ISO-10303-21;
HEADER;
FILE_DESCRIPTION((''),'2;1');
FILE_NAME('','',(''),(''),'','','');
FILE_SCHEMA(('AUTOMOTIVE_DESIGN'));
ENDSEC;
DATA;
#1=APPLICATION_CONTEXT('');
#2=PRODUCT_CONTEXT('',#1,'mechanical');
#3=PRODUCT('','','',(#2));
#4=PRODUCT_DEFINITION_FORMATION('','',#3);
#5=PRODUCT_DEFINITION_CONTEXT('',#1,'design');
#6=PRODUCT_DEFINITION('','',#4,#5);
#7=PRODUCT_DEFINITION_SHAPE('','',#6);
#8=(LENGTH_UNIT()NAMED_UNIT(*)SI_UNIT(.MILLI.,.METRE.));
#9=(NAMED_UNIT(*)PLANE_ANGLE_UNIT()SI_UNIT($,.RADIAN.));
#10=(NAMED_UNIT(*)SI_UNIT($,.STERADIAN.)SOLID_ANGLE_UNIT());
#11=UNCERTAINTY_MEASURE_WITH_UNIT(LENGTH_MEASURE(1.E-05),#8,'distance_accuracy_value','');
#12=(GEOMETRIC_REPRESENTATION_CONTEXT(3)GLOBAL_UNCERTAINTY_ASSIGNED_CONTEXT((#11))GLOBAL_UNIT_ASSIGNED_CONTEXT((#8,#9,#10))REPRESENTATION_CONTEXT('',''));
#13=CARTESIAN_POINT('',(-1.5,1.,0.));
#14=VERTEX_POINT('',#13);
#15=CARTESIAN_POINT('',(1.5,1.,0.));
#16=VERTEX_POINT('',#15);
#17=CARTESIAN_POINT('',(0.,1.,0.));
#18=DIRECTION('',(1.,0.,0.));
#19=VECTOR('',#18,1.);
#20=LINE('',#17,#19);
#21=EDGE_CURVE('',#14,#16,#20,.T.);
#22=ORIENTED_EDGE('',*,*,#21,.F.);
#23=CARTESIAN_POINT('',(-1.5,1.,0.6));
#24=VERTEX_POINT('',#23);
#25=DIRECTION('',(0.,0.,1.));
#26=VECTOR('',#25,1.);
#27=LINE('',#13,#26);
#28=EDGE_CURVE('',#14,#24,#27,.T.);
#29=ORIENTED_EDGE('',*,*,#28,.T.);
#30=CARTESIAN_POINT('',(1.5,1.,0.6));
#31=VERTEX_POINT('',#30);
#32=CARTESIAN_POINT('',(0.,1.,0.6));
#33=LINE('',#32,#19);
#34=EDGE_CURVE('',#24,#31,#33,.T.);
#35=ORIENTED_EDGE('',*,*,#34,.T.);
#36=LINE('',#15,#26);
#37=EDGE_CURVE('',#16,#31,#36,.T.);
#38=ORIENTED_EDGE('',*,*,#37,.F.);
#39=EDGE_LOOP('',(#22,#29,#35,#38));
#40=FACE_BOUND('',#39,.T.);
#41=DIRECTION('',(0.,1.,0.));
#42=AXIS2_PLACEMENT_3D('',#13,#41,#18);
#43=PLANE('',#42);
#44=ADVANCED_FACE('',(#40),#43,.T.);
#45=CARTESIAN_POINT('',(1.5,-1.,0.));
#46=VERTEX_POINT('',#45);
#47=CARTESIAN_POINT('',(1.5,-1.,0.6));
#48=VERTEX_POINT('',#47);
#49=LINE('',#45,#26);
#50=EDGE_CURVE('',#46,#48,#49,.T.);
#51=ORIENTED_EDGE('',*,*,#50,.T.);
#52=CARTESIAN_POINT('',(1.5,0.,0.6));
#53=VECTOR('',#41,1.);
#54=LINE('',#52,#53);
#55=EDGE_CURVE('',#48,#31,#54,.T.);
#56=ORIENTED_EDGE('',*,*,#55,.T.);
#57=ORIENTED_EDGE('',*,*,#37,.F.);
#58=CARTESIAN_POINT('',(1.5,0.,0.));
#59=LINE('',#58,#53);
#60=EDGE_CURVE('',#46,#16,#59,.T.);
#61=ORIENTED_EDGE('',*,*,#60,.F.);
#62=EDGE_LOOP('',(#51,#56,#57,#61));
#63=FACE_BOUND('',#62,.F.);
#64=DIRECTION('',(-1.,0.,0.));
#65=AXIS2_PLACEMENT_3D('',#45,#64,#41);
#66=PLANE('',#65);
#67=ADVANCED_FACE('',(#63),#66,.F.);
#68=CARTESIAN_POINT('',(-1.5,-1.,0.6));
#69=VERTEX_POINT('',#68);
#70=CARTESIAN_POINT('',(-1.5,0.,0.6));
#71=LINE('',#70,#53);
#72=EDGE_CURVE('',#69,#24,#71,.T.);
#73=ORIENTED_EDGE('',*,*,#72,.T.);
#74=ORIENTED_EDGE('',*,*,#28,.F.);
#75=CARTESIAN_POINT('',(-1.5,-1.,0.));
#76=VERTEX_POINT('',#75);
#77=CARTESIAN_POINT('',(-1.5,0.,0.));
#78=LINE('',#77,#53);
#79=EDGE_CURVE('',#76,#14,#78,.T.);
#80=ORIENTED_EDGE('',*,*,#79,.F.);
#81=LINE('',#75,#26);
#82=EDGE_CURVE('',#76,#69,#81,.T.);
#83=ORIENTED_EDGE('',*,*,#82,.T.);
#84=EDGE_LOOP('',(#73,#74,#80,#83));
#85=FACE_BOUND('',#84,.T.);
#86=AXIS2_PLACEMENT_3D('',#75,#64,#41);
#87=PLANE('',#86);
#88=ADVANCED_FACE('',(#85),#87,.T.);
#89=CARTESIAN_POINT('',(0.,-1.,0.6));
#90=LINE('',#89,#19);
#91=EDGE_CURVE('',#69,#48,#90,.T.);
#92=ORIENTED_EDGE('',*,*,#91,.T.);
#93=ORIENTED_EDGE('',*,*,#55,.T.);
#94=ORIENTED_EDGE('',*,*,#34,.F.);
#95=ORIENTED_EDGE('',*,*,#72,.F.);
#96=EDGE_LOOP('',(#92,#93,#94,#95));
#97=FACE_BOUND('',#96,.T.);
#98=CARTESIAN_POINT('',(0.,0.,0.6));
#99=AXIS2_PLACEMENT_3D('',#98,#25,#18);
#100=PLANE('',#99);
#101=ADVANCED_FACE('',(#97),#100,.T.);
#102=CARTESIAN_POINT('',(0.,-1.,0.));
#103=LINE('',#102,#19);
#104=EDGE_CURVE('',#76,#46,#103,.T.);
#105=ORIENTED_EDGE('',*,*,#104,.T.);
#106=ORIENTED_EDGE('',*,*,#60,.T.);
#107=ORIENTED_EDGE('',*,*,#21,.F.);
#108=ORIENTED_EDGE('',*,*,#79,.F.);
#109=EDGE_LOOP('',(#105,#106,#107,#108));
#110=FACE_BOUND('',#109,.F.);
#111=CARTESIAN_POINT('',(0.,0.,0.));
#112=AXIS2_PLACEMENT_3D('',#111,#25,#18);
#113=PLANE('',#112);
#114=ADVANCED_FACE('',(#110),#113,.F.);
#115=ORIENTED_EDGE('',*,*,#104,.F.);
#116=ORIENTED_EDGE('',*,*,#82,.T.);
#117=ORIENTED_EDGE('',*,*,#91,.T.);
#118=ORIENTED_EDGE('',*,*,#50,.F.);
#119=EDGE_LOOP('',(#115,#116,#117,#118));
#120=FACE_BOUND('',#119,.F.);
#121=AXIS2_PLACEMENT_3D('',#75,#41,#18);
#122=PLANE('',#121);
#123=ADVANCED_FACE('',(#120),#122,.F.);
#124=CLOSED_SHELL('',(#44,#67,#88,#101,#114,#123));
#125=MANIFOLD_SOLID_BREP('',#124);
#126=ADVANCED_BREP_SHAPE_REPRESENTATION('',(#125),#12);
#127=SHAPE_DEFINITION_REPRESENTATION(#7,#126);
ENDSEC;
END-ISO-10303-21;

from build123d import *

# Parameters (mm, degrees)
SKETCH_W  = 3
SKETCH_H  = 2
PAD_DEPTH = 0.6


with BuildPart() as part:
    # Sketch → Pad (new body)
    with BuildSketch(Plane.XY):
        Rectangle(SKETCH_W, SKETCH_H)
    extrude(amount=PAD_DEPTH)


solid = part.part
